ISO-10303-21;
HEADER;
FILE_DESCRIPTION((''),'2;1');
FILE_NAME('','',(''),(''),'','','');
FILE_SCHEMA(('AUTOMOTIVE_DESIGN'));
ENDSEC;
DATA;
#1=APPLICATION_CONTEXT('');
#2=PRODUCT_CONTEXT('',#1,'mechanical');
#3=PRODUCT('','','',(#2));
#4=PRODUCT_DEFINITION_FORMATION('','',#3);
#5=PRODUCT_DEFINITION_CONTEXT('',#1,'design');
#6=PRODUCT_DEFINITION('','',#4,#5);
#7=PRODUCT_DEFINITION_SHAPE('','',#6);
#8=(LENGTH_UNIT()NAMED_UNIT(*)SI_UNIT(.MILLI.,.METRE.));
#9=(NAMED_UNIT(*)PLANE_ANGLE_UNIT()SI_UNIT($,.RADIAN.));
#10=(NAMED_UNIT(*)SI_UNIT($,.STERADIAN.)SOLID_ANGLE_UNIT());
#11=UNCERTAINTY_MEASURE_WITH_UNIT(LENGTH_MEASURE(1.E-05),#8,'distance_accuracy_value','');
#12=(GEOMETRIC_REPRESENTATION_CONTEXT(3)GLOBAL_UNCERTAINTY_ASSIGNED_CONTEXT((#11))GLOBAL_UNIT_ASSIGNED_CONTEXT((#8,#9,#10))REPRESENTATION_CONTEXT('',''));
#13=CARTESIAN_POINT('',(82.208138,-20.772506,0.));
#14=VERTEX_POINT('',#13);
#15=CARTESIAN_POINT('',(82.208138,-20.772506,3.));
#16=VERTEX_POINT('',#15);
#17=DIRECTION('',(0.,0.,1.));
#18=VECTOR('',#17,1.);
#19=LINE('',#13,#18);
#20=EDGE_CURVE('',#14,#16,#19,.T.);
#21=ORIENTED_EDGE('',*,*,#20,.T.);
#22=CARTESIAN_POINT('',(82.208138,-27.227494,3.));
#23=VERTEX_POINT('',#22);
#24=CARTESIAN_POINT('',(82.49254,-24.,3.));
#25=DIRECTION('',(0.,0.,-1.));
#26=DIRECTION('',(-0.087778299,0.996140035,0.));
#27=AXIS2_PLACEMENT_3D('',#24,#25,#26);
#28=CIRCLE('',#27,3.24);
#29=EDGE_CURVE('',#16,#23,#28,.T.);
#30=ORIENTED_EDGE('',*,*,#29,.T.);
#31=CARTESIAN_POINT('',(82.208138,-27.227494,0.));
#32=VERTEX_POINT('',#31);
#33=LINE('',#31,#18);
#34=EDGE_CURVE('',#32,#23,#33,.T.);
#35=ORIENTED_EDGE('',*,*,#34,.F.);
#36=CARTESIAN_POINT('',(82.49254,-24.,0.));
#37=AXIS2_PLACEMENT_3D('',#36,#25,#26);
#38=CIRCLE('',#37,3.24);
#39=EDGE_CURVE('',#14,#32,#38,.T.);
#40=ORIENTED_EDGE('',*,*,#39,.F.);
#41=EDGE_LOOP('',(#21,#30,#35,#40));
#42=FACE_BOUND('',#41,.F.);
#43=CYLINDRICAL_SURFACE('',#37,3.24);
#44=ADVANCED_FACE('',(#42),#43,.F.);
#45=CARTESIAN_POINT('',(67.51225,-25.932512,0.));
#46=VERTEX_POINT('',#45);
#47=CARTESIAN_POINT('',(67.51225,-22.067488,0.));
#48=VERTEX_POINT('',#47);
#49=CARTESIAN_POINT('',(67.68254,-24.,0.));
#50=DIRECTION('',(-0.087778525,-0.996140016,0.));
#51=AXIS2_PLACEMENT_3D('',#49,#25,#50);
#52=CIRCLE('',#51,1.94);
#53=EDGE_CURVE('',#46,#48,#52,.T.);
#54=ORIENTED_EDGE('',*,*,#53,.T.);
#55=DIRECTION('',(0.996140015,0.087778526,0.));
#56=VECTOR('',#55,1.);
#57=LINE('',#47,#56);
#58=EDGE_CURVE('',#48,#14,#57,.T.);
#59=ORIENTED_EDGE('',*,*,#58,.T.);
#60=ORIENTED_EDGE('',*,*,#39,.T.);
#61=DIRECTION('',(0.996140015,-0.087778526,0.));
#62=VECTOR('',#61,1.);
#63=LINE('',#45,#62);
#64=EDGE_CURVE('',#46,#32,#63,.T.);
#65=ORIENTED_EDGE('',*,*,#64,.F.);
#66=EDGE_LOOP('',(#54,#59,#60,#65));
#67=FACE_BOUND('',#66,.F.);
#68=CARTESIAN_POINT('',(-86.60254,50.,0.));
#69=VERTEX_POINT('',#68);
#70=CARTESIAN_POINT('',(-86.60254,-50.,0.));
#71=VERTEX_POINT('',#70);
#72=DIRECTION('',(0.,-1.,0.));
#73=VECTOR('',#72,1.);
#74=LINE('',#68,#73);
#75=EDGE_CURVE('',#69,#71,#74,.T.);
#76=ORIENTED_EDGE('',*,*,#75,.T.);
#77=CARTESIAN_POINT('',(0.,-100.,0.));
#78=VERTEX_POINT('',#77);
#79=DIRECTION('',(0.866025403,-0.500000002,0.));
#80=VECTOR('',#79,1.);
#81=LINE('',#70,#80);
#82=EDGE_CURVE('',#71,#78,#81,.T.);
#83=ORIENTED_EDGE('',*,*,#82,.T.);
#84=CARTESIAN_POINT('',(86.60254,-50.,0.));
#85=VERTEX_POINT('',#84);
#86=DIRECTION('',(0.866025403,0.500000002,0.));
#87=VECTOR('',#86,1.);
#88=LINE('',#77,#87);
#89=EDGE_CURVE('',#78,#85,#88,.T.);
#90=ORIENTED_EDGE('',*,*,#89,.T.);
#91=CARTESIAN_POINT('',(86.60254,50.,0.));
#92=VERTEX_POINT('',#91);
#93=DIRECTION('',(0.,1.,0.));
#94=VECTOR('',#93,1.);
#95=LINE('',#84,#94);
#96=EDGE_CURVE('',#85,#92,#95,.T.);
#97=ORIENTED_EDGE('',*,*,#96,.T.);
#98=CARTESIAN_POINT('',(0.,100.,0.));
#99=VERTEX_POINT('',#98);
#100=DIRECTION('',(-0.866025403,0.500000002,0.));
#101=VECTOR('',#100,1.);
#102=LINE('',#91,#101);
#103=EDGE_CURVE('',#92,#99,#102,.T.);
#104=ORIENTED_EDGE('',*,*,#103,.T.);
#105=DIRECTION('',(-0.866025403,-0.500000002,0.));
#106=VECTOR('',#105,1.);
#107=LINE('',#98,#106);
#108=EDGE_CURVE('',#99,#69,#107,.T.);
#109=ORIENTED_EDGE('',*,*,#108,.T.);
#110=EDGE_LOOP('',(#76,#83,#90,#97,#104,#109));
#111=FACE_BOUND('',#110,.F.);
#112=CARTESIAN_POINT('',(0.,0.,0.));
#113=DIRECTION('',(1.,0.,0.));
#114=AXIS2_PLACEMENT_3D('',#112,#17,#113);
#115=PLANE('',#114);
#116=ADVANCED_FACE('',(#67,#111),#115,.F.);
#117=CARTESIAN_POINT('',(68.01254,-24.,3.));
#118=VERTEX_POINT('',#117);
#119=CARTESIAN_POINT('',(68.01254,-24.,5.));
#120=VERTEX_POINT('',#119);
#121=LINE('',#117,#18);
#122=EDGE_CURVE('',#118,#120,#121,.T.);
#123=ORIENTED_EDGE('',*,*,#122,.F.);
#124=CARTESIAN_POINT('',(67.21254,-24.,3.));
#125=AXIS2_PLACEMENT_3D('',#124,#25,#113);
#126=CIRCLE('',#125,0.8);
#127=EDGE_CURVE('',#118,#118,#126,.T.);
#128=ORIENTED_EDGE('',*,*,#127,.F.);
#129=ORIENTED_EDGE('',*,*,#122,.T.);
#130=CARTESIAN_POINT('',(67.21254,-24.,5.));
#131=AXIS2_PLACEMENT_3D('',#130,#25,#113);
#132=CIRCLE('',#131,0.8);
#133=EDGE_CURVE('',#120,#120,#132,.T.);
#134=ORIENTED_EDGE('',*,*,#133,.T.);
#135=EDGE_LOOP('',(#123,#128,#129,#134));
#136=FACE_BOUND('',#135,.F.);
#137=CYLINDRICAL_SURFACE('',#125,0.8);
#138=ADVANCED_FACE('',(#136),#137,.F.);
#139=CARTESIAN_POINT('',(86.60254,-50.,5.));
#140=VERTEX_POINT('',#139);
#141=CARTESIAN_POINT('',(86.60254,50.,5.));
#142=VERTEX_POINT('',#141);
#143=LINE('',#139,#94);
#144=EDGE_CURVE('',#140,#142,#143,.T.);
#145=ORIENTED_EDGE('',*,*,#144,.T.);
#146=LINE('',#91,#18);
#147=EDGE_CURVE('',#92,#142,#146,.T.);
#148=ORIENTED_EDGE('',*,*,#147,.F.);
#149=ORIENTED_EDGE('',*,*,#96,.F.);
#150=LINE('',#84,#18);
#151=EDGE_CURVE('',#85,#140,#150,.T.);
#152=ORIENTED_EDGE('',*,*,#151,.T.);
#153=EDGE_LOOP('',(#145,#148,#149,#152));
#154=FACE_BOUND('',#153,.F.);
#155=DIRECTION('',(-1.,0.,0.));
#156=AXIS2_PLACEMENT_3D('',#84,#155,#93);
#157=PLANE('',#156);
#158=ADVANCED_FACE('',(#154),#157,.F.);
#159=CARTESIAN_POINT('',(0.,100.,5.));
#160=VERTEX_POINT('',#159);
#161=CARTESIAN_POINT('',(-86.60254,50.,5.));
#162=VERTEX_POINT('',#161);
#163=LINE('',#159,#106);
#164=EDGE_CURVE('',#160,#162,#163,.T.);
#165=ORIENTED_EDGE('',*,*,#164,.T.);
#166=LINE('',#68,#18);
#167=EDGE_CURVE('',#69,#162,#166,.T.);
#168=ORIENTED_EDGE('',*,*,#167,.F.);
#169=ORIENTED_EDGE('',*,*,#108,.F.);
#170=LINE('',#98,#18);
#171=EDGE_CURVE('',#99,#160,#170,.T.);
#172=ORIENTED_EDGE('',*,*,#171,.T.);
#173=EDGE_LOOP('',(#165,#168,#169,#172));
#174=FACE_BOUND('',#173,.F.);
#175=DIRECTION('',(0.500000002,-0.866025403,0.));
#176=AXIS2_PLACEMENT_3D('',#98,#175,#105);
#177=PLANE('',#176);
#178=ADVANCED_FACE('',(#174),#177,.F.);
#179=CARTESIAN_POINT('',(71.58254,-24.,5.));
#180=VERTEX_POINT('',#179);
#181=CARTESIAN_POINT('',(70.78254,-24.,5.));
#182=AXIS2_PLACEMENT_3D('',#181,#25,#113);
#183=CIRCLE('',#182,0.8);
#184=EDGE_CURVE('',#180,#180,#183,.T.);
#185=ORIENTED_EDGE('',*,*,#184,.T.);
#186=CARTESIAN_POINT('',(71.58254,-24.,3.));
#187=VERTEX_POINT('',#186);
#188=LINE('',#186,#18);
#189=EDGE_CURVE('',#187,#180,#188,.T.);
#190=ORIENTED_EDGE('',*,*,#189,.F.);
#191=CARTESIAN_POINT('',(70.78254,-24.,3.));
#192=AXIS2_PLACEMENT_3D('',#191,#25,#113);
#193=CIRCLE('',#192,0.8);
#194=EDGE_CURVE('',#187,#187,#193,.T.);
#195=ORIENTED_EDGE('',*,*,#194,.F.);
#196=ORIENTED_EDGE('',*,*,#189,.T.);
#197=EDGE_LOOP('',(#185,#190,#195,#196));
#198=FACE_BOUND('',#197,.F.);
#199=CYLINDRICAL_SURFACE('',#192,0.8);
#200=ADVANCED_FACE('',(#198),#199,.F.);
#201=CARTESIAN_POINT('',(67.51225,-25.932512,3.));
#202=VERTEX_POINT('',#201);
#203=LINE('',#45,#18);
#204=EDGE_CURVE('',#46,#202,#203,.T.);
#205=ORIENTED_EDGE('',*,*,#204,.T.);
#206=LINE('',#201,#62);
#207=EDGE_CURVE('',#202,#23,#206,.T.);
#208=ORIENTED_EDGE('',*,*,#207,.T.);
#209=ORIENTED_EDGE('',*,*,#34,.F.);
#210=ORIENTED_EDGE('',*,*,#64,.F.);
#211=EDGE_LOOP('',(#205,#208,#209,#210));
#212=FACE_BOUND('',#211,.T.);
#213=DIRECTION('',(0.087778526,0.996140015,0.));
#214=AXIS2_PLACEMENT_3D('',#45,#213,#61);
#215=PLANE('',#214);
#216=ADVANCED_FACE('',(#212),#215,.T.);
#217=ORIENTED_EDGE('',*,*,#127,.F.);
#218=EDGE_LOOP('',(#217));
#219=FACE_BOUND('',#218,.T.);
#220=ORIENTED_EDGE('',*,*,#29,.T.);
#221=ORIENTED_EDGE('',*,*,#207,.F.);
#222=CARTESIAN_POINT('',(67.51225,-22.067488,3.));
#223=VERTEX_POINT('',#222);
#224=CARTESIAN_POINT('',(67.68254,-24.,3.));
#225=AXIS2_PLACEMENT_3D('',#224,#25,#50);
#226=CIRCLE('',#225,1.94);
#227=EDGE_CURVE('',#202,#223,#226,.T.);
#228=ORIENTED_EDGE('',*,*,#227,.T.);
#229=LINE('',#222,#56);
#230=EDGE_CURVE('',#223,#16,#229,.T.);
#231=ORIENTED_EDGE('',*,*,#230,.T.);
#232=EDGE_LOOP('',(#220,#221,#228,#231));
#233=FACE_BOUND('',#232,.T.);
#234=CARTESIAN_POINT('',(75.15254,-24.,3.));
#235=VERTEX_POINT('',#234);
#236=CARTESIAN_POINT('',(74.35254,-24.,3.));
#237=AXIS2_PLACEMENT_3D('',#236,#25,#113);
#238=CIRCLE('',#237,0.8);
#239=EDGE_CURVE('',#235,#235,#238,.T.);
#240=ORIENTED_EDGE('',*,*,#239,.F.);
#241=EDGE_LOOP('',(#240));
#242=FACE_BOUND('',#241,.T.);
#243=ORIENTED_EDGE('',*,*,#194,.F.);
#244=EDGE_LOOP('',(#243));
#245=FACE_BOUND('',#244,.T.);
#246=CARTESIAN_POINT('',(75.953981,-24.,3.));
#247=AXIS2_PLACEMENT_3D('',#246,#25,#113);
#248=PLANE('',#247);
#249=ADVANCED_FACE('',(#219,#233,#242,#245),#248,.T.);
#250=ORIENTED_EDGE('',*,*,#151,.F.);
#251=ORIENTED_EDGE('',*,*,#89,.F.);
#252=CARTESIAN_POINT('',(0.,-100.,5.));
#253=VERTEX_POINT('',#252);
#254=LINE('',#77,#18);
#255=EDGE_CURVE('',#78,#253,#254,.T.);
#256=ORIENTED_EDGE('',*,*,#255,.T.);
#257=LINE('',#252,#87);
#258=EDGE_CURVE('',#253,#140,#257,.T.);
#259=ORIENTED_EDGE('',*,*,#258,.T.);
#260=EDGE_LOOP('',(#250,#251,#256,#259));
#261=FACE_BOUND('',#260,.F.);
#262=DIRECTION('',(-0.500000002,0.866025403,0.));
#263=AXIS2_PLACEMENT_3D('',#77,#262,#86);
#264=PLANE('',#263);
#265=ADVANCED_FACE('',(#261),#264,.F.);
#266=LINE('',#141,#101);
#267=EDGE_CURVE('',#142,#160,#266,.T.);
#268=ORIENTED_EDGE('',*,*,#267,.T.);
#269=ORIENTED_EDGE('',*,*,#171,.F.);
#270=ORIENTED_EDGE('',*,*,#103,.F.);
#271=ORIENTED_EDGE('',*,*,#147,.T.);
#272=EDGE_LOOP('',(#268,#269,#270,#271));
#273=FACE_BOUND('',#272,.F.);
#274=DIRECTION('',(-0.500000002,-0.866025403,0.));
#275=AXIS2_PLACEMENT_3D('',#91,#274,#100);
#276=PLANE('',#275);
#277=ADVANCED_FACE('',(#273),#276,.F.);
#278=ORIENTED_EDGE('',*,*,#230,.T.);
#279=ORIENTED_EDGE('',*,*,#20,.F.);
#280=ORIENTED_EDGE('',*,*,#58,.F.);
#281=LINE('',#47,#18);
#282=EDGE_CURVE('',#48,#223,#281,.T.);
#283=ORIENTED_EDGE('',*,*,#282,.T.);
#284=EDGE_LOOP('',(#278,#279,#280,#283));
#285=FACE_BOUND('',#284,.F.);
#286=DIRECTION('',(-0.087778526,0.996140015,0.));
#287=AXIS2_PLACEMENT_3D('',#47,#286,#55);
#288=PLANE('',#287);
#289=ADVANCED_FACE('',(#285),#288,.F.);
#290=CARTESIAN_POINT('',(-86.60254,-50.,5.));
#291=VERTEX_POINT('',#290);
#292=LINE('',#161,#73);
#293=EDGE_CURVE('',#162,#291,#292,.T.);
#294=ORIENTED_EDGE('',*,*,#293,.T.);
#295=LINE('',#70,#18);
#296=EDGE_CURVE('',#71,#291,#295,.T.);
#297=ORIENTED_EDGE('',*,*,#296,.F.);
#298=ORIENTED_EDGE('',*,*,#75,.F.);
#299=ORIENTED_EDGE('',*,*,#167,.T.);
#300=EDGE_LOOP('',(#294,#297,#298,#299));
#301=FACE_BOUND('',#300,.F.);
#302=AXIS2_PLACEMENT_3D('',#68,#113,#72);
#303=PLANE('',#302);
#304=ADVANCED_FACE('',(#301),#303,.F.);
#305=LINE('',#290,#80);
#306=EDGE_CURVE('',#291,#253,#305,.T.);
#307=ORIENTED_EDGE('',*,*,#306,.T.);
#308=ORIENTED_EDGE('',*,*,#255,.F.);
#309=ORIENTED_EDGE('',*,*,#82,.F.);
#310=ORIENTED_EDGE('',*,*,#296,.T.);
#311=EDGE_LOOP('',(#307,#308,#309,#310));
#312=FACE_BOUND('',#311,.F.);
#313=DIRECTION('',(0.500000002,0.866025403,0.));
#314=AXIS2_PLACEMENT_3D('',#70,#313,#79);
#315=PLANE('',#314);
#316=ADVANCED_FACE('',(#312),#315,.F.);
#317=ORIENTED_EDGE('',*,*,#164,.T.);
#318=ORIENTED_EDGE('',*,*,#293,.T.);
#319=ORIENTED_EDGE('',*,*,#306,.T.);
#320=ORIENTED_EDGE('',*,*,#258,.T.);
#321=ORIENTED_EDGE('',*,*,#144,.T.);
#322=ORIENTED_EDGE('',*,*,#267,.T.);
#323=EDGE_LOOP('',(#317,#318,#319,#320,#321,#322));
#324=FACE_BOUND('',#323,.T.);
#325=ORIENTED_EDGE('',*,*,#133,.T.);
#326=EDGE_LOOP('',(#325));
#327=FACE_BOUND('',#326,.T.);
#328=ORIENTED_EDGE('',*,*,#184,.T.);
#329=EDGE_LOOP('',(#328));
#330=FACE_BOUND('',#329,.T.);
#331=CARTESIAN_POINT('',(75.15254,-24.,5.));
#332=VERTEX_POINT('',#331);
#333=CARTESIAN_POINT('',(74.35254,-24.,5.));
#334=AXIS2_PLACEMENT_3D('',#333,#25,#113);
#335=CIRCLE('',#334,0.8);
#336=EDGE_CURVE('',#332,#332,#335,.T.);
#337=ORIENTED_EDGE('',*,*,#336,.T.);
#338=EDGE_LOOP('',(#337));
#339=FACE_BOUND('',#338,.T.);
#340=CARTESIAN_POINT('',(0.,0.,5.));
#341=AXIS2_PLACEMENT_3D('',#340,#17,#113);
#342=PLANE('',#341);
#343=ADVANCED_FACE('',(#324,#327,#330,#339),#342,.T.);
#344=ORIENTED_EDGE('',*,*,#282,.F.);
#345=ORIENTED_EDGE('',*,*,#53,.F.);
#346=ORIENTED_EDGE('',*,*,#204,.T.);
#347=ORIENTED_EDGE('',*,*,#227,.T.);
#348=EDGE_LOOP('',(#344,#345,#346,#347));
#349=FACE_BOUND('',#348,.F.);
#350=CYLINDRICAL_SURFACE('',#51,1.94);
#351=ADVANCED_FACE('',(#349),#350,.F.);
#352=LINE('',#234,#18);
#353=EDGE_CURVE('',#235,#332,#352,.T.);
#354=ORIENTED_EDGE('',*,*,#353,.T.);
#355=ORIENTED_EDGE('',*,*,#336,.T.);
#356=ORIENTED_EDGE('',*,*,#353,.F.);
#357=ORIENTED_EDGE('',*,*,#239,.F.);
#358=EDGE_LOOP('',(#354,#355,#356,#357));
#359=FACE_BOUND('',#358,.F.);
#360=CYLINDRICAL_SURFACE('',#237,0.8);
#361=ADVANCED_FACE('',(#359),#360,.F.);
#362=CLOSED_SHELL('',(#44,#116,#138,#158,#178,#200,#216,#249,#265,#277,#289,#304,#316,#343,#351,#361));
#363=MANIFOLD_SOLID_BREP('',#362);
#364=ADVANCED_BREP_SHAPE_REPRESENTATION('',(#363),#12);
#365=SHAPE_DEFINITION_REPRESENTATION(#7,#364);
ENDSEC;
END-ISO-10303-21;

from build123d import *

# Parameters (mm, degrees)
PAD_DEPTH    = 5
POCKET_DEPTH = 3
SKETCH004_R  = 0.8
HOLE_DEPTH   = 25


with BuildPart() as part:
    # Sketch → Pad (new body)
    with BuildSketch(Plane.XY):
        Polygon((86.60254, -50), (86.60254, 50), (0, 100), (-86.60254, 50), (-86.60254, -50), (0, -100), align=None)
    extrude(amount=PAD_DEPTH)

    # Sketch003 (on Face7 of Pad) → Pocket (cut)
    with BuildSketch(Plane(origin=(0, 0, 0), x_dir=(1, 0, 0), z_dir=(0, 0, -1))):
        with BuildLine():
            ThreePointArc((82.208138, 20.772506), (85.73254, 24), (82.208138, 27.227494))
            Line((67.51225, 25.932512), (82.208138, 27.227494))
            ThreePointArc((67.51225, 25.932512), (65.74254, 24), (67.51225, 22.067488))
            Line((67.51225, 22.067488), (82.208138, 20.772506))
        make_face()
    extrude(amount=-POCKET_DEPTH, mode=Mode.SUBTRACT)

    # Sketch004 (on Face13 of Pocket) → Hole (cut)
    with BuildSketch(Plane(origin=(0, 0, 3), x_dir=(1, 0, 0), z_dir=(0, 0, -1))):
        with Locations((67.21254, 24)):
            Circle(SKETCH004_R)
        with Locations((70.78254, 24)):
            Circle(SKETCH004_R)
        with Locations((74.35254, 24)):
            Circle(SKETCH004_R)
    extrude(amount=-HOLE_DEPTH, mode=Mode.SUBTRACT)


solid = part.part
